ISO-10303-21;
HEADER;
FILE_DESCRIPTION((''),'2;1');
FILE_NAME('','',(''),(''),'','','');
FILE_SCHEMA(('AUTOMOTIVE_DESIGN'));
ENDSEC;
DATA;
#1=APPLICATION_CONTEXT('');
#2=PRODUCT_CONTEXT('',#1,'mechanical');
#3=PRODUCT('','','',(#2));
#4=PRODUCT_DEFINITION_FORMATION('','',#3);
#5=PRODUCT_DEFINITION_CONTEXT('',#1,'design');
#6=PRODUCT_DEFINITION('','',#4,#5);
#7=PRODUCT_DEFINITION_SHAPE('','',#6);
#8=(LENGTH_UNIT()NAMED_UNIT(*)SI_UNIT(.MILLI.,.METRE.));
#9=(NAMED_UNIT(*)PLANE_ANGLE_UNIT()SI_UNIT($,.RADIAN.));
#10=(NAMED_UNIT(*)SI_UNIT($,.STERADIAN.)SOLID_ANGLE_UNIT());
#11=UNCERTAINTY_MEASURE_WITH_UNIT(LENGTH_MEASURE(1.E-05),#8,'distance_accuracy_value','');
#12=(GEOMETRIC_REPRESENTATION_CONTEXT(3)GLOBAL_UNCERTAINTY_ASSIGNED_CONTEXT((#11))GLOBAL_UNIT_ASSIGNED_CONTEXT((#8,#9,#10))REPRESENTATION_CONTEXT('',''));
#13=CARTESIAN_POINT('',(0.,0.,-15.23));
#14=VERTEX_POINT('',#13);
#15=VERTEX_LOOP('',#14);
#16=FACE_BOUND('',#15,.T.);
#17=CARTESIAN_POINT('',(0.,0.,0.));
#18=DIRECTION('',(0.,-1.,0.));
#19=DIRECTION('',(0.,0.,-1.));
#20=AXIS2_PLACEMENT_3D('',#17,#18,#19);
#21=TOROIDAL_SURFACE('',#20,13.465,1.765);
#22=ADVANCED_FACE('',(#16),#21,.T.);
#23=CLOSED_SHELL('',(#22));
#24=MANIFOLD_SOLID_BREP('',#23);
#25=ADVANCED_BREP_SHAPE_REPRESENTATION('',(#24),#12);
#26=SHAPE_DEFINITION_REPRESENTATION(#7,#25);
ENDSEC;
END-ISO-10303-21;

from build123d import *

# Parameters (mm, degrees)
IZIM1_R = 1.765


with BuildPart() as part:
    # Çizim1 → Döndür1 (revolve)
    with BuildSketch(Plane.XY, mode=Mode.PRIVATE) as d_nd_r1_sk:
        with Locations((-13.465, 0)):
            Circle(IZIM1_R)
    revolve(d_nd_r1_sk.sketch.rotate(Axis((0, 0, 0), (0, 1, 0)), 270), axis=Axis((0, 0, 0), (0, 1, 0)))


solid = part.part
